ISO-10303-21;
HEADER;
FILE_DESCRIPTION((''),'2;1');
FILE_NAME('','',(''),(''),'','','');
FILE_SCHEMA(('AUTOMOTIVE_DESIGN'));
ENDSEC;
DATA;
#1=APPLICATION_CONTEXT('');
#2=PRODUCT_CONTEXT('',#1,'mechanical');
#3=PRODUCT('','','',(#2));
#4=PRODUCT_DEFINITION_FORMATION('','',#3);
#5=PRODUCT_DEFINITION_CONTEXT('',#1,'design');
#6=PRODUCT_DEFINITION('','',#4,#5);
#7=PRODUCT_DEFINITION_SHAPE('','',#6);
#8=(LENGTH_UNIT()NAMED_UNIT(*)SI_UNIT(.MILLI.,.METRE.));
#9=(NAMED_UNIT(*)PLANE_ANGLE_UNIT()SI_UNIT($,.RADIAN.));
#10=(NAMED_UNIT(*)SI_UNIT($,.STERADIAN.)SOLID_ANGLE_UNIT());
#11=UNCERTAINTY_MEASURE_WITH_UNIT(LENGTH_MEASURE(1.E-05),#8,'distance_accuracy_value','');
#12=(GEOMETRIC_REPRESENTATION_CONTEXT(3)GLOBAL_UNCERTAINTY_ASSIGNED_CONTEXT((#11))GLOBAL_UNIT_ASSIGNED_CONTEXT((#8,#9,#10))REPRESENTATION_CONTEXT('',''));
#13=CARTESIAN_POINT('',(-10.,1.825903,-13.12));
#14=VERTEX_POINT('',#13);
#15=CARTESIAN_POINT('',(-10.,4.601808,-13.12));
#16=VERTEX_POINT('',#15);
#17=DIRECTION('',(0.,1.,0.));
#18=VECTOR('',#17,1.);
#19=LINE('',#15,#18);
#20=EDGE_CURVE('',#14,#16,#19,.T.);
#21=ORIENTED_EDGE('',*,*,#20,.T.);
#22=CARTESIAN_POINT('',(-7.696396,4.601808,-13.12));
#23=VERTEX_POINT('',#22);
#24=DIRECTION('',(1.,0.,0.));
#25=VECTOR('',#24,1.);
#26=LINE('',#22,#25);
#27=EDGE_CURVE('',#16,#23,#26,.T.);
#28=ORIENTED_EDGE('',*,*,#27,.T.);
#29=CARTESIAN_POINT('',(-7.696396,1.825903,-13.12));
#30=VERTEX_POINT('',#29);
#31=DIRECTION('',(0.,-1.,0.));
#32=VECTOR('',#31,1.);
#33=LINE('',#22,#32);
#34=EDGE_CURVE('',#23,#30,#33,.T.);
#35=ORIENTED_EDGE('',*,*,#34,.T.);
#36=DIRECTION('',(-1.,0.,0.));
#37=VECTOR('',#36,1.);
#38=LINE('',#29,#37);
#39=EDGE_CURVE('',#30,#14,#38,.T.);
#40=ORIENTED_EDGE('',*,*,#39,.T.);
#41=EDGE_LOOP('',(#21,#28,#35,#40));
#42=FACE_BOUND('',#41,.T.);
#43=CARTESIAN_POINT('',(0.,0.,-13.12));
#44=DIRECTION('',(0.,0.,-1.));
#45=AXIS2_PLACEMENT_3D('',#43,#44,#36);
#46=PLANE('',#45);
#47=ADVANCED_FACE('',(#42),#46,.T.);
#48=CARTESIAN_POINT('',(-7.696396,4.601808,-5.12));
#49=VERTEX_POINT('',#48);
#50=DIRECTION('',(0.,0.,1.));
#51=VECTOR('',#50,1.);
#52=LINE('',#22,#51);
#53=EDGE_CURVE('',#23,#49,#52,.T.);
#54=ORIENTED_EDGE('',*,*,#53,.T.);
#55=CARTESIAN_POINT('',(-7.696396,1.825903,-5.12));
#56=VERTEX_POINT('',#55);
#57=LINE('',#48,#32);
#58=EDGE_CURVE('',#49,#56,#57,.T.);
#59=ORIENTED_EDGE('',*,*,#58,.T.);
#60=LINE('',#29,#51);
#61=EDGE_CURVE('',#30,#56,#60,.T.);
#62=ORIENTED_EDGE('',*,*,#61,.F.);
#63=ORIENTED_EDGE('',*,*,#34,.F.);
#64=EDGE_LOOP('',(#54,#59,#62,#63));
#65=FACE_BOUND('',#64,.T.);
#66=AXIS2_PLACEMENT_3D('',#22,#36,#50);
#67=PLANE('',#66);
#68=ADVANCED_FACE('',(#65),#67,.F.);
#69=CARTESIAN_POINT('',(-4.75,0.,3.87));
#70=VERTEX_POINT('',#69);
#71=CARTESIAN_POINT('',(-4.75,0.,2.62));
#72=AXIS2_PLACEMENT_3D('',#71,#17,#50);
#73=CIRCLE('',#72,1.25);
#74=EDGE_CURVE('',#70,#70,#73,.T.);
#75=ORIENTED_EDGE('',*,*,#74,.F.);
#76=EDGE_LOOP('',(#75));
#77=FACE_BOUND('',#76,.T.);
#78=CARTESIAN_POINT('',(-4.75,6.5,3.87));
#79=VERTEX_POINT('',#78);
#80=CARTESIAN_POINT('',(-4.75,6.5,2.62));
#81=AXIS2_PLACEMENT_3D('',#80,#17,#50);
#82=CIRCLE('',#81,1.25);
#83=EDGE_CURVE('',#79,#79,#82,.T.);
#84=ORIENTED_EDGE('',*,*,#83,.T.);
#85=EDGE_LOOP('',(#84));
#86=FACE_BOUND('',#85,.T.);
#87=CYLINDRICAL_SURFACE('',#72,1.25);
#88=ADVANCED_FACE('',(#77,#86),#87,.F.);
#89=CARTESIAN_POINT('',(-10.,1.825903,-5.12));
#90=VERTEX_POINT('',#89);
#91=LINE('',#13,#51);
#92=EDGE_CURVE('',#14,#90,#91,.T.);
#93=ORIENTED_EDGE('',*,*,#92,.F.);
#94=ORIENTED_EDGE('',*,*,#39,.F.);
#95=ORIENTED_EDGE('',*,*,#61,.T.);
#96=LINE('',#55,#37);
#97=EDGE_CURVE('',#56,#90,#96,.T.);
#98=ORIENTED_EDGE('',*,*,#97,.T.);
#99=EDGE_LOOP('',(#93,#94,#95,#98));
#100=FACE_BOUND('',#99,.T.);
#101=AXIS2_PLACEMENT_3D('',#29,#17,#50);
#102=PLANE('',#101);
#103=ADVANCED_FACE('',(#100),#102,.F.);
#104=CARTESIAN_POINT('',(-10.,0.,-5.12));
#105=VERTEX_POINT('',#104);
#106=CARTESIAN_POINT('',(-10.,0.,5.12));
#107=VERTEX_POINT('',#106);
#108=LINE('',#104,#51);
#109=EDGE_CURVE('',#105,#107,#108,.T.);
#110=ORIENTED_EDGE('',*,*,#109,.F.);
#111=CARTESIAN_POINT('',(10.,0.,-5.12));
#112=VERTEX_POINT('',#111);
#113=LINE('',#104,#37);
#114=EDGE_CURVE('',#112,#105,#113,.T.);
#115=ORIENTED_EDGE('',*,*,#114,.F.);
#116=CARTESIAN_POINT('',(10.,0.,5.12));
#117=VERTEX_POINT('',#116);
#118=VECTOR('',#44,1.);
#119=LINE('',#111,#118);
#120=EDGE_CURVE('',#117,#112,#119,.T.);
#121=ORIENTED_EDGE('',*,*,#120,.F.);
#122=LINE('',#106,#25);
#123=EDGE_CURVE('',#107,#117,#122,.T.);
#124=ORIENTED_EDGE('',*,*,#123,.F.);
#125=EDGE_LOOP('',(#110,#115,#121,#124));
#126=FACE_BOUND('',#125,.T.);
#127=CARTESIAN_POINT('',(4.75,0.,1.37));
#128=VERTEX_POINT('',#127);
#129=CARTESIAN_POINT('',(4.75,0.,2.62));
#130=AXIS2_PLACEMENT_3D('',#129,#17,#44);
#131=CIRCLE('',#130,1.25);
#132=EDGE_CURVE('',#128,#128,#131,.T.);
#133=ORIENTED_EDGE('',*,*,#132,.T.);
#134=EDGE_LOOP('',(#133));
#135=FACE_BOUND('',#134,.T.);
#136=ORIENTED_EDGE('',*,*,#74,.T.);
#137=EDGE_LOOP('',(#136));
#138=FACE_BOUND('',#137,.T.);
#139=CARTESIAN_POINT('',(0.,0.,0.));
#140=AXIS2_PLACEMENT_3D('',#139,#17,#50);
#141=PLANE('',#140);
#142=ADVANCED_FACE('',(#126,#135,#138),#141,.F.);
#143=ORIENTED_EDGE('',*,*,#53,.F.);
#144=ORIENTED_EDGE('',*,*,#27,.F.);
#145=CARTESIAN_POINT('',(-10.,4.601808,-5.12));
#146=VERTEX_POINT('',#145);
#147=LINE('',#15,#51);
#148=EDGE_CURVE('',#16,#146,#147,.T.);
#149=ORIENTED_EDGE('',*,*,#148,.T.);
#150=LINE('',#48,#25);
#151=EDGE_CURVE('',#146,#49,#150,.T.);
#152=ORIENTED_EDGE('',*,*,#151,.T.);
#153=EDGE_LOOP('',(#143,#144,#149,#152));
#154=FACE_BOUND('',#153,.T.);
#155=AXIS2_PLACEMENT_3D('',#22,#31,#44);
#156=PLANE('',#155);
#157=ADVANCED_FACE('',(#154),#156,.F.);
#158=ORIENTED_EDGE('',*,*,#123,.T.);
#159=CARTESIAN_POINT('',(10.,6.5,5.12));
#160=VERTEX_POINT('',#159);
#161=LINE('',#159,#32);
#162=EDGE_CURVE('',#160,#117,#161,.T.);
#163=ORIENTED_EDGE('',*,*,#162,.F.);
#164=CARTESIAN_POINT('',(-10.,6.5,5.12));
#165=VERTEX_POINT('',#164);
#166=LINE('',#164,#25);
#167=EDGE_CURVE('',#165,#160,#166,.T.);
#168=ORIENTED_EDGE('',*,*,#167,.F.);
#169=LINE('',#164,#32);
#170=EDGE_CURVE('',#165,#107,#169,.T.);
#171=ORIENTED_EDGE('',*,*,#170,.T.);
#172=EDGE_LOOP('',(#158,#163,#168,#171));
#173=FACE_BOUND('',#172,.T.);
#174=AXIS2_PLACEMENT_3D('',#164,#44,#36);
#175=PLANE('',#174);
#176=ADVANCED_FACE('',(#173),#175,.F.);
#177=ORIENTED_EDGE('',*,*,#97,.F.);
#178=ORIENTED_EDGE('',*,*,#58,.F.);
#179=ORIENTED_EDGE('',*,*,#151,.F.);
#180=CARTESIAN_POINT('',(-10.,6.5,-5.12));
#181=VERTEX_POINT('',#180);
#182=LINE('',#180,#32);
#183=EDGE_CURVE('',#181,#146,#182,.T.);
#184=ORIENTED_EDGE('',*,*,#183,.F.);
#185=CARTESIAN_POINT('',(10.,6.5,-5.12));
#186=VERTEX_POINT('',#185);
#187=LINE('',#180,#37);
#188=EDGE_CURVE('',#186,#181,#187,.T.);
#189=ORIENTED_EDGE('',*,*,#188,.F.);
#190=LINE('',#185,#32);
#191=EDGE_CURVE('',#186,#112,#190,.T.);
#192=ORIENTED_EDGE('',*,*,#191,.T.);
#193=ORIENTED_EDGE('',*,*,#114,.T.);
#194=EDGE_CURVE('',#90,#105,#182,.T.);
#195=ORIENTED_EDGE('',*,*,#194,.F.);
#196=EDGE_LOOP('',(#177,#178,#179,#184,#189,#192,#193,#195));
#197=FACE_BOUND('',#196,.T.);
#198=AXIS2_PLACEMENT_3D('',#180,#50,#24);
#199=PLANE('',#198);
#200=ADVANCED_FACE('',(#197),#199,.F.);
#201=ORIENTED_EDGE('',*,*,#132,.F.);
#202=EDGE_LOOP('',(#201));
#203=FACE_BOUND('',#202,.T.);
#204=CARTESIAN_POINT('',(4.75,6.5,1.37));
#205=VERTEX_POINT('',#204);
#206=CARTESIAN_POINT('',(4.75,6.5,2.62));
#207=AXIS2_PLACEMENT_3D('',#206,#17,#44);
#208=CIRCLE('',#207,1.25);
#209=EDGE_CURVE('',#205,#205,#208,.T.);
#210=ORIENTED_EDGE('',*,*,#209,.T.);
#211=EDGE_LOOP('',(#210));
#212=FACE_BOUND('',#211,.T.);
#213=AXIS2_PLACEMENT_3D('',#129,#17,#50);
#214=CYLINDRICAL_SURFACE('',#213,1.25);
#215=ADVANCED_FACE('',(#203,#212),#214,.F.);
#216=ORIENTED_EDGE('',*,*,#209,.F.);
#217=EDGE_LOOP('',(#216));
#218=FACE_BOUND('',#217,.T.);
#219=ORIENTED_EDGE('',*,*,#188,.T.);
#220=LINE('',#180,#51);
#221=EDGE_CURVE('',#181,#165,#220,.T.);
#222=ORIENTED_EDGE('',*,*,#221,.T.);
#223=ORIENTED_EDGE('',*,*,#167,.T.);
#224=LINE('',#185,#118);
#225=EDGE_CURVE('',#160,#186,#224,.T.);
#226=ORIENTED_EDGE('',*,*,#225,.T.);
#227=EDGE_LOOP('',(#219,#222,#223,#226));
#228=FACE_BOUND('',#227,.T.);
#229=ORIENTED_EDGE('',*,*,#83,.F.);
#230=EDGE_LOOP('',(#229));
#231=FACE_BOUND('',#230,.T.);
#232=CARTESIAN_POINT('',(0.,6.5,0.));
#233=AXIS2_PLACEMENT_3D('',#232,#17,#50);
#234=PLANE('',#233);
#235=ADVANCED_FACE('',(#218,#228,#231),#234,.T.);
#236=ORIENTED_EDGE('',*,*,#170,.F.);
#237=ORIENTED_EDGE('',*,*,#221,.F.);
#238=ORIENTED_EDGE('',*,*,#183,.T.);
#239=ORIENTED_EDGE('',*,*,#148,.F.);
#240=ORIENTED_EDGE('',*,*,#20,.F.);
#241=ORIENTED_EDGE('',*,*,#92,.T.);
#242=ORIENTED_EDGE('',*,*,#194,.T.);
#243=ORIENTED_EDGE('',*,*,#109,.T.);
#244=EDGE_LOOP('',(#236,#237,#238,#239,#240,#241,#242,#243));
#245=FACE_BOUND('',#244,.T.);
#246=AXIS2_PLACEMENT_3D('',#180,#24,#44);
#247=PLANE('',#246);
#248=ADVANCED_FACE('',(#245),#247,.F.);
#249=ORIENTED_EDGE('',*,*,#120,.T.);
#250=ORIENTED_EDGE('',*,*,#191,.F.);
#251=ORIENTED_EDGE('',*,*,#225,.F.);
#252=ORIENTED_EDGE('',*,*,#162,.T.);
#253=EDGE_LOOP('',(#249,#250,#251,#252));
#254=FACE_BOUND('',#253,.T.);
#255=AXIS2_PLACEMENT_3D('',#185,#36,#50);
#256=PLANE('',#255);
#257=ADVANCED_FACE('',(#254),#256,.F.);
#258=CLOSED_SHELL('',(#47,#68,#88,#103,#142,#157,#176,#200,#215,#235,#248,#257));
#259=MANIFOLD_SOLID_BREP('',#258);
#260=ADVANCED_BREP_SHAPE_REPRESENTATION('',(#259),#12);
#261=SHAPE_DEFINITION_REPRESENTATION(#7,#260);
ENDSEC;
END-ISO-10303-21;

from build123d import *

# Parameters (mm, degrees)
SKETCH_1_W          = 20
SKETCH_1_H          = 10.24
EXTRUDE_1_DEPTH     = 6.5
SKETCH_2_R          = 1.25
CUT_EXTRUDE_1_DEPTH = 7.5
SKETCH_4_W          = 2.303604444
SKETCH_4_H          = 2.775905185
EXTRUDE_2_DEPTH     = 8


with BuildPart() as part:
    # 草图1 → 凸台-拉伸1 (new body)
    with BuildSketch(Plane(origin=(0, 0, 0), x_dir=(1, 0, 0), z_dir=(0, 1, 0))):
        Rectangle(SKETCH_1_W, SKETCH_1_H)
    extrude(amount=EXTRUDE_1_DEPTH)

    # 草图2 → 切除-拉伸1 (cut, through all)
    with BuildSketch(Plane(origin=(0, 6.5, 0), x_dir=(1, 0, 0), z_dir=(0, 1, 0))):
        with Locations((-4.75, -2.62)):
            Circle(SKETCH_2_R)
        with Locations((4.75, -2.62)):
            Circle(SKETCH_2_R)
    extrude(amount=-CUT_EXTRUDE_1_DEPTH, mode=Mode.SUBTRACT)

    # 草图4 → 凸台-拉伸2 (add)
    with BuildSketch(Plane(origin=(0, 0, -5.12), x_dir=(-1, 0, 0), z_dir=(0, 0, -1))):
        with Locations((8.848197778, 3.213855402)):
            Rectangle(SKETCH_4_W, SKETCH_4_H)
    extrude(amount=EXTRUDE_2_DEPTH)


solid = part.part
